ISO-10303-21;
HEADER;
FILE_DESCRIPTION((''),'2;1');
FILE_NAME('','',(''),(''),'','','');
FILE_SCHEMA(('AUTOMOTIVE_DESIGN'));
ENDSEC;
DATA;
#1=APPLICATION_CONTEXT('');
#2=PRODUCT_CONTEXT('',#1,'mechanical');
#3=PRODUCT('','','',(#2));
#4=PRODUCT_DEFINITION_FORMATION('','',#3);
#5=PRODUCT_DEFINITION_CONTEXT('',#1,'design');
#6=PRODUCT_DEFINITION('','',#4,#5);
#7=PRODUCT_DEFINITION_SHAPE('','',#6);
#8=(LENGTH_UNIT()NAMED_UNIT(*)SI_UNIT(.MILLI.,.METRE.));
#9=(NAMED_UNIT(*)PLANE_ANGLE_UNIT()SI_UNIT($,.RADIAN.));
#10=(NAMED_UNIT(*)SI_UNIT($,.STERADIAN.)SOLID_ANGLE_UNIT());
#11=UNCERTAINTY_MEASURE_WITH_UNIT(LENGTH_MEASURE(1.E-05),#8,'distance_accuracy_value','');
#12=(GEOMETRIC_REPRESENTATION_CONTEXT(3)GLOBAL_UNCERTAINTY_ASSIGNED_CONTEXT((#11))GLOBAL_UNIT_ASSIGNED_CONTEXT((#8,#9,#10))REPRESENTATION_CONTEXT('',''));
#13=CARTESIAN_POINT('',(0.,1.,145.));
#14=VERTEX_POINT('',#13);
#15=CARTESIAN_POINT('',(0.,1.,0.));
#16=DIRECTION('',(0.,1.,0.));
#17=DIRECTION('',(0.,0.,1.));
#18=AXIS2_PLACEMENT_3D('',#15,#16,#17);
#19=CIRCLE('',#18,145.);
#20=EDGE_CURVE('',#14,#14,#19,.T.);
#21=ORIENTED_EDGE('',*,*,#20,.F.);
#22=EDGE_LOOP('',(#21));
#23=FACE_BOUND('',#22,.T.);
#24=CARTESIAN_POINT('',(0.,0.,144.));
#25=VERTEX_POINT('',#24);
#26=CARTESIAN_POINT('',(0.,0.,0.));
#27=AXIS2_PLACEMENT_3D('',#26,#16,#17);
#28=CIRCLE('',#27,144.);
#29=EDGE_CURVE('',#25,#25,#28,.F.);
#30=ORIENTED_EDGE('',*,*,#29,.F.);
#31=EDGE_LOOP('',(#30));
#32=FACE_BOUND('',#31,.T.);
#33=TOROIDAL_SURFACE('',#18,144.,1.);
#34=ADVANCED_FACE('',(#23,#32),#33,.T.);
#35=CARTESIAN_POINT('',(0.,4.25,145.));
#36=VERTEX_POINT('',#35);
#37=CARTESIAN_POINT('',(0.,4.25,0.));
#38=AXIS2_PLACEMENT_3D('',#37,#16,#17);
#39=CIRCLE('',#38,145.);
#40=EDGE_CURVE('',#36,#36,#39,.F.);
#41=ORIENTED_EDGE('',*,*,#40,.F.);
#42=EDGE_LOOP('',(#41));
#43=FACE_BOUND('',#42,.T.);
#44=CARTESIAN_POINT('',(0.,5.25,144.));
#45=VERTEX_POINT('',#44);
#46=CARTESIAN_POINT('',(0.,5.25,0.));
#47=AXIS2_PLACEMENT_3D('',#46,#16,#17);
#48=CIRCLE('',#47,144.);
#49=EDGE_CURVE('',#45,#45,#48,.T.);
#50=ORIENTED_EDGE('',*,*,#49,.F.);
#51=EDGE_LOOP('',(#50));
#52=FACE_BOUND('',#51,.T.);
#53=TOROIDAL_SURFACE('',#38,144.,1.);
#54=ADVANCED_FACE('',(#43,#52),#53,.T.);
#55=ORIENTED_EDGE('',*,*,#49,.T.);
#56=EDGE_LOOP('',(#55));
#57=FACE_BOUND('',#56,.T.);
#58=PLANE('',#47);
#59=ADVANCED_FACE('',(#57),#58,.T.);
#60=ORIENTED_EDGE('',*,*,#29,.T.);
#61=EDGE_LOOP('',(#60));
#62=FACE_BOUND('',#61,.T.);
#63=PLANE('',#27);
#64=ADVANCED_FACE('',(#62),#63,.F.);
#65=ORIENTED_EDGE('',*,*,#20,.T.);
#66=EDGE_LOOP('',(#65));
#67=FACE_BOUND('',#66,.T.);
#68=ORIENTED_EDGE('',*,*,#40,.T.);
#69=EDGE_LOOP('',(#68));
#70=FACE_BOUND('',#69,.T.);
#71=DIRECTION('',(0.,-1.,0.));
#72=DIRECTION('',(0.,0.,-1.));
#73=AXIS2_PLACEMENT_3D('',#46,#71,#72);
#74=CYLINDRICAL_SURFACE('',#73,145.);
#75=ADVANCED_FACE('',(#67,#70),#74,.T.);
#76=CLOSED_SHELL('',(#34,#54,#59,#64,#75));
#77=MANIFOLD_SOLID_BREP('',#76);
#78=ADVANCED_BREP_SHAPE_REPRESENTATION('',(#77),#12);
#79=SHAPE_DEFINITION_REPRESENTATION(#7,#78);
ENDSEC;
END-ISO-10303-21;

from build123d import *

# Parameters (mm, degrees)
SKETCH1_R           = 145
BOSS_EXTRUDE1_DEPTH = 5.25
FILLET1_R           = 1


with BuildPart() as part:
    # Sketch1 → Boss-Extrude1 (new body)
    with BuildSketch(Plane(origin=(0, 0, 0), x_dir=(1, 0, 0), z_dir=(0, 1, 0))):
        Circle(SKETCH1_R)
    extrude(amount=BOSS_EXTRUDE1_DEPTH)

    # Fillet1
    fillet1_edges = [part.edges().sort_by_distance(p)[0] for p in [
        (-145, 0, 0),
        (-145, 5.25, 0),
    ]]
    fillet(fillet1_edges, radius=FILLET1_R)


solid = part.part
